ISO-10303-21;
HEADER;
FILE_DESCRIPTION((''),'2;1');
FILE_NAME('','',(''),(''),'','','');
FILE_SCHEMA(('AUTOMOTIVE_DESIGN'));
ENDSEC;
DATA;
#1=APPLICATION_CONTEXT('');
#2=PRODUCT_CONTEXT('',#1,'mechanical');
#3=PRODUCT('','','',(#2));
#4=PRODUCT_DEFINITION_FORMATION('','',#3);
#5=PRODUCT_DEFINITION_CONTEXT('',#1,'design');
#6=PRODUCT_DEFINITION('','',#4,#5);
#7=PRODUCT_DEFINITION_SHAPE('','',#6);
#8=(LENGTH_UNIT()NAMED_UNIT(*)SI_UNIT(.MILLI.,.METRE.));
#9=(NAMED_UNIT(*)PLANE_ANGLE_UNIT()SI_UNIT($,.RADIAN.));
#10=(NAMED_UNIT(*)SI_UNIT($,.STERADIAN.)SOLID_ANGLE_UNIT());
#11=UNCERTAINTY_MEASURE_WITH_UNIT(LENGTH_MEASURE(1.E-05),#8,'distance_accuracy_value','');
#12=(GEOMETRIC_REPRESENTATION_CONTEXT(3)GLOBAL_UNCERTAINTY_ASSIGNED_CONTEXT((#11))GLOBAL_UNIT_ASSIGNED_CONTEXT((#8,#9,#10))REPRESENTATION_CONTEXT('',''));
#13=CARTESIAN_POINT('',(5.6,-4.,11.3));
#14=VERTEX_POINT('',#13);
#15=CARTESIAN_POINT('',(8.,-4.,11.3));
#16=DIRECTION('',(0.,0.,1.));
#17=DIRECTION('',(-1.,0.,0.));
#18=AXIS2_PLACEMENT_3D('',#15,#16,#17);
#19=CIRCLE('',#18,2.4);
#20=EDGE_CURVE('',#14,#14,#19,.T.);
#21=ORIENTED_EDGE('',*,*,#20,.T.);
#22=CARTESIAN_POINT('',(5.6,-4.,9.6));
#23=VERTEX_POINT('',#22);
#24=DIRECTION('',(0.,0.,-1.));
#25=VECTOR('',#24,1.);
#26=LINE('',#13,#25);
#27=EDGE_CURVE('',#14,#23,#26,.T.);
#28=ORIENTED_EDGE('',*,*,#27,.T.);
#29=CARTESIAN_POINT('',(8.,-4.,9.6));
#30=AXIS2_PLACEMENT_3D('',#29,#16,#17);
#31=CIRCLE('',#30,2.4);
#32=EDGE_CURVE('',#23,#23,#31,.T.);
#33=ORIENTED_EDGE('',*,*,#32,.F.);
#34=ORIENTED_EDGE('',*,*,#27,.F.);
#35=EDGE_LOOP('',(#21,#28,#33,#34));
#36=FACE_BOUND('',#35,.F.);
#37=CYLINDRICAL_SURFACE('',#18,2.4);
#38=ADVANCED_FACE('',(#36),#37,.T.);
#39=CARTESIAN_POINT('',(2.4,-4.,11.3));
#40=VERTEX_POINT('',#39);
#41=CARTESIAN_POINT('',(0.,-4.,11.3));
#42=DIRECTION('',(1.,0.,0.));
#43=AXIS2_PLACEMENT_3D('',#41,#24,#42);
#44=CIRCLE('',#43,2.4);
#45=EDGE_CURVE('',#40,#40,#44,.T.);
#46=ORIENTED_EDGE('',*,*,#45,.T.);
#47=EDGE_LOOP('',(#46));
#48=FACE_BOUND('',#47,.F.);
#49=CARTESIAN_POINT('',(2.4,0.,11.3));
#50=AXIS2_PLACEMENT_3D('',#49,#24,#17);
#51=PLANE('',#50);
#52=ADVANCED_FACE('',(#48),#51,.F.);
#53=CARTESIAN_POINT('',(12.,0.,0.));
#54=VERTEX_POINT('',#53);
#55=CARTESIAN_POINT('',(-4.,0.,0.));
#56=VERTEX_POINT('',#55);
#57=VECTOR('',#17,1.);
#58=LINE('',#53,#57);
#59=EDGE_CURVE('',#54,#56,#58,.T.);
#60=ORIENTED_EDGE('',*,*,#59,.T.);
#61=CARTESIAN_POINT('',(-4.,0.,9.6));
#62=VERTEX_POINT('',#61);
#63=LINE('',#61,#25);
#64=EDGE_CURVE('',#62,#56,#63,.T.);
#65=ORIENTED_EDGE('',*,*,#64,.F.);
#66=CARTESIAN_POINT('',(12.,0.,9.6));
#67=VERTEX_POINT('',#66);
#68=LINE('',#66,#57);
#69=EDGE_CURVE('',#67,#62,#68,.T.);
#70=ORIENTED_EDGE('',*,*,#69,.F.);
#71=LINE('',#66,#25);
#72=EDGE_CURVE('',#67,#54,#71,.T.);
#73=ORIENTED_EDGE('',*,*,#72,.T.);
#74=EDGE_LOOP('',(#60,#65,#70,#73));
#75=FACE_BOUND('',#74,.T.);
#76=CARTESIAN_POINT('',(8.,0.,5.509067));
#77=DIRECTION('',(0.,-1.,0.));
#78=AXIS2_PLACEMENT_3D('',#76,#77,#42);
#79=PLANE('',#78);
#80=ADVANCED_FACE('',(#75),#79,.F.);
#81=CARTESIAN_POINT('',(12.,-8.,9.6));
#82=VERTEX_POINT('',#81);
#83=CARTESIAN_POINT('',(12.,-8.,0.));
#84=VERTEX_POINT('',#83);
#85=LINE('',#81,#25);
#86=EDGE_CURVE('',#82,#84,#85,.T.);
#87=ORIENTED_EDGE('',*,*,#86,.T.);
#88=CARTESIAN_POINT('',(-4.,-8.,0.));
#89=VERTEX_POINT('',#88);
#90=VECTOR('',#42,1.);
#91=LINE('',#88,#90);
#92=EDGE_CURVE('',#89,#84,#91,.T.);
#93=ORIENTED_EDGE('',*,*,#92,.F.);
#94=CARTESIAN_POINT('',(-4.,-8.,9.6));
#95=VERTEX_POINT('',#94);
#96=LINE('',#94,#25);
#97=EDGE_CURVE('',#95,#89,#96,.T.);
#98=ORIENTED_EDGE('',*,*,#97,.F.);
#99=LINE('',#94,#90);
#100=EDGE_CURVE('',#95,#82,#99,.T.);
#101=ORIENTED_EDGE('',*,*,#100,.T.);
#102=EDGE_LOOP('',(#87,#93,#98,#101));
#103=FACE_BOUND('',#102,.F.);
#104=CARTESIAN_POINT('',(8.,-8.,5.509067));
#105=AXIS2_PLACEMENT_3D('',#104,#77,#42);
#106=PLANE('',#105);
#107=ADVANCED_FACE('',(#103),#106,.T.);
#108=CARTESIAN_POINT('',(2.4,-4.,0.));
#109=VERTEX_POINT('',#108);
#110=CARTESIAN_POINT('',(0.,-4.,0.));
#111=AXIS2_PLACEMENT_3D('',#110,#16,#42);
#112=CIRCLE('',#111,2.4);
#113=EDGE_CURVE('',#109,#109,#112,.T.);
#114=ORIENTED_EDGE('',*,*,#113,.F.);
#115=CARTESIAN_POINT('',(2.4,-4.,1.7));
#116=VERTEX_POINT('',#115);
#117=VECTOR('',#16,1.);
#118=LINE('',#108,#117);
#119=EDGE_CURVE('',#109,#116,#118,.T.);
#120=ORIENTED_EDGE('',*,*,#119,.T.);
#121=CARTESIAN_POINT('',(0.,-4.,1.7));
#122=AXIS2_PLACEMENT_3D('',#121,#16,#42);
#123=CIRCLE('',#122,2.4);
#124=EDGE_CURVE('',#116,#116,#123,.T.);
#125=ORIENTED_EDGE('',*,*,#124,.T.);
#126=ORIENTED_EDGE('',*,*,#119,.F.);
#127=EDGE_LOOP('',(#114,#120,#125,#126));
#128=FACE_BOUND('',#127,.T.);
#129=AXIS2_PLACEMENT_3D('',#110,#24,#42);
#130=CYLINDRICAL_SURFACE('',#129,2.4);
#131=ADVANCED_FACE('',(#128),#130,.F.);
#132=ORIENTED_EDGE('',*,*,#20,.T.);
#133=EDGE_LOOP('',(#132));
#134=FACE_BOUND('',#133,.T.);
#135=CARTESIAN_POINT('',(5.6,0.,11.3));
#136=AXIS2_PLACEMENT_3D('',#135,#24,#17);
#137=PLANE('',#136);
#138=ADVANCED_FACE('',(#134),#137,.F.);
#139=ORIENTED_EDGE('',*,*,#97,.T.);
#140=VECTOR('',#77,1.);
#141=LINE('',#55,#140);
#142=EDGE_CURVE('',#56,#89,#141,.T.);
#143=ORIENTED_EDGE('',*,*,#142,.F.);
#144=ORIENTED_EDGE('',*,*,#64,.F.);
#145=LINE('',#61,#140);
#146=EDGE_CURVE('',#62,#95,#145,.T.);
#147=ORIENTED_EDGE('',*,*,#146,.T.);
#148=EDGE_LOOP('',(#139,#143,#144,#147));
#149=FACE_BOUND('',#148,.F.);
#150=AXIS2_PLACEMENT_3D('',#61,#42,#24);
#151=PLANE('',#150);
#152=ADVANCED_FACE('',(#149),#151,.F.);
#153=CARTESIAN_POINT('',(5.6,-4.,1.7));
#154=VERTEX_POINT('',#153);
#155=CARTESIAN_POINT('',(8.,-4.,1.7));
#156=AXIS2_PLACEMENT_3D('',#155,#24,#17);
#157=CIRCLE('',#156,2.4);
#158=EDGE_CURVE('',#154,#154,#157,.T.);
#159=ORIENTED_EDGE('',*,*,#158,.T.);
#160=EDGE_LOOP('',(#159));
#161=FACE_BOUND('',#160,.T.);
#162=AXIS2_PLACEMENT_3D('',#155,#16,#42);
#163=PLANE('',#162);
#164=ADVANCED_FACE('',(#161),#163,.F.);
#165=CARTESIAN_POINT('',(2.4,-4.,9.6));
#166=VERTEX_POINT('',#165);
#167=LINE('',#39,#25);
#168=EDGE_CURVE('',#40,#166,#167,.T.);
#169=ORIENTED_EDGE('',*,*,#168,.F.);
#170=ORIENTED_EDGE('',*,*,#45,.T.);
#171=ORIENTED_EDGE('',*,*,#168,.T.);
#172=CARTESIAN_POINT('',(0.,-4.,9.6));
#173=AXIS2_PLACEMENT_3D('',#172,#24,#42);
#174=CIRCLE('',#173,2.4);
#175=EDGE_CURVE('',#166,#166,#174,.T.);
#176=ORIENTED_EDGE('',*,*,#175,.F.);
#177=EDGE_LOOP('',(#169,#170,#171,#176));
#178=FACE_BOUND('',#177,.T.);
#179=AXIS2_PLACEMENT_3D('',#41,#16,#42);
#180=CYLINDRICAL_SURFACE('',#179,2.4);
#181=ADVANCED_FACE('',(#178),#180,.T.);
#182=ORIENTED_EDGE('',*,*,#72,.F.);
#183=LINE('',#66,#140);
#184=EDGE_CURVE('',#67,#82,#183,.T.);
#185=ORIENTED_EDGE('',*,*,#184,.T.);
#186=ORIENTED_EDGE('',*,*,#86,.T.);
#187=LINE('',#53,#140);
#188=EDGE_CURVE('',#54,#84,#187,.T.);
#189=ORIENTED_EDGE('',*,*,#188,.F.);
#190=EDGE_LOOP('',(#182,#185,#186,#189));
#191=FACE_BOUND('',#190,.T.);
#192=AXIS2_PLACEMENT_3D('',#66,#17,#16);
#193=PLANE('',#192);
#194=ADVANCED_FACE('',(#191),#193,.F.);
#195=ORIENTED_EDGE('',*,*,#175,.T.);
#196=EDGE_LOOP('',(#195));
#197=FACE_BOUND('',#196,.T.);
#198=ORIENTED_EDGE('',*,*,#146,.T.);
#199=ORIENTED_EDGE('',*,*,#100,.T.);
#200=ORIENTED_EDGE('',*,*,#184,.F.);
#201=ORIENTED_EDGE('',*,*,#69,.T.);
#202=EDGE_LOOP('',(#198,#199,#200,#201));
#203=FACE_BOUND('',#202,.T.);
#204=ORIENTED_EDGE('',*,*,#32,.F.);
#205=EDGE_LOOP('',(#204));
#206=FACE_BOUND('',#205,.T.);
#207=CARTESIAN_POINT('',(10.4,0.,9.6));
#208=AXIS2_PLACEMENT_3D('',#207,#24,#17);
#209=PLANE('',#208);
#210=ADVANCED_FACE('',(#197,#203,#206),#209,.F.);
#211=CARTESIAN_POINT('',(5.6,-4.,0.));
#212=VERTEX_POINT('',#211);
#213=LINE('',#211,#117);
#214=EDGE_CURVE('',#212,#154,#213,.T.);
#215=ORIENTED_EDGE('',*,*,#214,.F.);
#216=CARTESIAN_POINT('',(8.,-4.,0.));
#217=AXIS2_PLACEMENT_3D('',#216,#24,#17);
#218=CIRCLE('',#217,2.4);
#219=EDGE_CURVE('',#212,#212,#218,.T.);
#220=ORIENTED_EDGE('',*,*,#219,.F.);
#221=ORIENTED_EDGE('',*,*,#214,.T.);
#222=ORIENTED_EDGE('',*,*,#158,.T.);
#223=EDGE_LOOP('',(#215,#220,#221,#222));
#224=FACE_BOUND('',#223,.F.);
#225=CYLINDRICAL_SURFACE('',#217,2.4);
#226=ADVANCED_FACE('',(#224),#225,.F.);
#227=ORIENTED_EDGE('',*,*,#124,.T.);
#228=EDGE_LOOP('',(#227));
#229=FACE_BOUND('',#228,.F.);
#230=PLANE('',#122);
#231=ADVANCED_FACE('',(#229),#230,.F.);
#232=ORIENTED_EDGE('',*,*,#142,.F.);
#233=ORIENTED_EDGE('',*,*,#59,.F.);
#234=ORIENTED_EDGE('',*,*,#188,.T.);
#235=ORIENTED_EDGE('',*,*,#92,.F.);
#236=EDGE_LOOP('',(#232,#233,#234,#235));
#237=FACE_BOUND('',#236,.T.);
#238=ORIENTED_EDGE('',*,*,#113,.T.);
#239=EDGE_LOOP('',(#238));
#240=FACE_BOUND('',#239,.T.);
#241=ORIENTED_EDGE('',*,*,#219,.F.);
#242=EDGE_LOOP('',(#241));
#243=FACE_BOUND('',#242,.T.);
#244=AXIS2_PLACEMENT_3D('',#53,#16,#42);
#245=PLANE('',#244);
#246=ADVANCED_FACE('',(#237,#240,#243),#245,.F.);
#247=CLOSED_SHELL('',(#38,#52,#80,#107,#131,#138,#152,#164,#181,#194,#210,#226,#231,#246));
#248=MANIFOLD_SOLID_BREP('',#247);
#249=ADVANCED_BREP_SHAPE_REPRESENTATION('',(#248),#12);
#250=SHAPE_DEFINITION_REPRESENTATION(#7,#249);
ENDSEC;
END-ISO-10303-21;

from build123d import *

# Parameters (mm, degrees)
F1_DEPTH = 8
F3_W     = 8
F3_H     = 8
F3_R     = 2.4
F4_DEPTH = 1.7
F5_R     = 2.4
F6_DEPTH = 1.7


with BuildPart() as f1:
    # F0 (on Front) → F1 (new body)
    with BuildSketch(Plane.XZ):
        Polygon((-2.4, 9.6), (-4, 9.6), (-4, 0), (4, 0), (4, 9.6), (2.4, 9.6), (2.4, 11.3), (-2.4, 11.3), align=None)
    extrude(amount=F1_DEPTH)

    # F3 (on plane+point) → F4 (cut, through all)
    with BuildSketch(Plane.XY.offset(11.3)):
        with Locations((0, -4)):
            Rectangle(F3_W, F3_H)
        with Locations((0, -4)):
            Circle(F3_R, mode=Mode.SUBTRACT)
    extrude(amount=-F4_DEPTH, mode=Mode.SUBTRACT)

    # F5 (on Top) → F6 (cut)
    with BuildSketch(Plane.XY):
        with Locations((0, -4)):
            Circle(F5_R)
    extrude(amount=F6_DEPTH, mode=Mode.SUBTRACT)

    # F8: F1 across plane


with BuildPart() as f1_1:
    add(f1.part)
    add(f1.part.mirror(Plane.YZ.offset(4)))


solid = f1_1.part
